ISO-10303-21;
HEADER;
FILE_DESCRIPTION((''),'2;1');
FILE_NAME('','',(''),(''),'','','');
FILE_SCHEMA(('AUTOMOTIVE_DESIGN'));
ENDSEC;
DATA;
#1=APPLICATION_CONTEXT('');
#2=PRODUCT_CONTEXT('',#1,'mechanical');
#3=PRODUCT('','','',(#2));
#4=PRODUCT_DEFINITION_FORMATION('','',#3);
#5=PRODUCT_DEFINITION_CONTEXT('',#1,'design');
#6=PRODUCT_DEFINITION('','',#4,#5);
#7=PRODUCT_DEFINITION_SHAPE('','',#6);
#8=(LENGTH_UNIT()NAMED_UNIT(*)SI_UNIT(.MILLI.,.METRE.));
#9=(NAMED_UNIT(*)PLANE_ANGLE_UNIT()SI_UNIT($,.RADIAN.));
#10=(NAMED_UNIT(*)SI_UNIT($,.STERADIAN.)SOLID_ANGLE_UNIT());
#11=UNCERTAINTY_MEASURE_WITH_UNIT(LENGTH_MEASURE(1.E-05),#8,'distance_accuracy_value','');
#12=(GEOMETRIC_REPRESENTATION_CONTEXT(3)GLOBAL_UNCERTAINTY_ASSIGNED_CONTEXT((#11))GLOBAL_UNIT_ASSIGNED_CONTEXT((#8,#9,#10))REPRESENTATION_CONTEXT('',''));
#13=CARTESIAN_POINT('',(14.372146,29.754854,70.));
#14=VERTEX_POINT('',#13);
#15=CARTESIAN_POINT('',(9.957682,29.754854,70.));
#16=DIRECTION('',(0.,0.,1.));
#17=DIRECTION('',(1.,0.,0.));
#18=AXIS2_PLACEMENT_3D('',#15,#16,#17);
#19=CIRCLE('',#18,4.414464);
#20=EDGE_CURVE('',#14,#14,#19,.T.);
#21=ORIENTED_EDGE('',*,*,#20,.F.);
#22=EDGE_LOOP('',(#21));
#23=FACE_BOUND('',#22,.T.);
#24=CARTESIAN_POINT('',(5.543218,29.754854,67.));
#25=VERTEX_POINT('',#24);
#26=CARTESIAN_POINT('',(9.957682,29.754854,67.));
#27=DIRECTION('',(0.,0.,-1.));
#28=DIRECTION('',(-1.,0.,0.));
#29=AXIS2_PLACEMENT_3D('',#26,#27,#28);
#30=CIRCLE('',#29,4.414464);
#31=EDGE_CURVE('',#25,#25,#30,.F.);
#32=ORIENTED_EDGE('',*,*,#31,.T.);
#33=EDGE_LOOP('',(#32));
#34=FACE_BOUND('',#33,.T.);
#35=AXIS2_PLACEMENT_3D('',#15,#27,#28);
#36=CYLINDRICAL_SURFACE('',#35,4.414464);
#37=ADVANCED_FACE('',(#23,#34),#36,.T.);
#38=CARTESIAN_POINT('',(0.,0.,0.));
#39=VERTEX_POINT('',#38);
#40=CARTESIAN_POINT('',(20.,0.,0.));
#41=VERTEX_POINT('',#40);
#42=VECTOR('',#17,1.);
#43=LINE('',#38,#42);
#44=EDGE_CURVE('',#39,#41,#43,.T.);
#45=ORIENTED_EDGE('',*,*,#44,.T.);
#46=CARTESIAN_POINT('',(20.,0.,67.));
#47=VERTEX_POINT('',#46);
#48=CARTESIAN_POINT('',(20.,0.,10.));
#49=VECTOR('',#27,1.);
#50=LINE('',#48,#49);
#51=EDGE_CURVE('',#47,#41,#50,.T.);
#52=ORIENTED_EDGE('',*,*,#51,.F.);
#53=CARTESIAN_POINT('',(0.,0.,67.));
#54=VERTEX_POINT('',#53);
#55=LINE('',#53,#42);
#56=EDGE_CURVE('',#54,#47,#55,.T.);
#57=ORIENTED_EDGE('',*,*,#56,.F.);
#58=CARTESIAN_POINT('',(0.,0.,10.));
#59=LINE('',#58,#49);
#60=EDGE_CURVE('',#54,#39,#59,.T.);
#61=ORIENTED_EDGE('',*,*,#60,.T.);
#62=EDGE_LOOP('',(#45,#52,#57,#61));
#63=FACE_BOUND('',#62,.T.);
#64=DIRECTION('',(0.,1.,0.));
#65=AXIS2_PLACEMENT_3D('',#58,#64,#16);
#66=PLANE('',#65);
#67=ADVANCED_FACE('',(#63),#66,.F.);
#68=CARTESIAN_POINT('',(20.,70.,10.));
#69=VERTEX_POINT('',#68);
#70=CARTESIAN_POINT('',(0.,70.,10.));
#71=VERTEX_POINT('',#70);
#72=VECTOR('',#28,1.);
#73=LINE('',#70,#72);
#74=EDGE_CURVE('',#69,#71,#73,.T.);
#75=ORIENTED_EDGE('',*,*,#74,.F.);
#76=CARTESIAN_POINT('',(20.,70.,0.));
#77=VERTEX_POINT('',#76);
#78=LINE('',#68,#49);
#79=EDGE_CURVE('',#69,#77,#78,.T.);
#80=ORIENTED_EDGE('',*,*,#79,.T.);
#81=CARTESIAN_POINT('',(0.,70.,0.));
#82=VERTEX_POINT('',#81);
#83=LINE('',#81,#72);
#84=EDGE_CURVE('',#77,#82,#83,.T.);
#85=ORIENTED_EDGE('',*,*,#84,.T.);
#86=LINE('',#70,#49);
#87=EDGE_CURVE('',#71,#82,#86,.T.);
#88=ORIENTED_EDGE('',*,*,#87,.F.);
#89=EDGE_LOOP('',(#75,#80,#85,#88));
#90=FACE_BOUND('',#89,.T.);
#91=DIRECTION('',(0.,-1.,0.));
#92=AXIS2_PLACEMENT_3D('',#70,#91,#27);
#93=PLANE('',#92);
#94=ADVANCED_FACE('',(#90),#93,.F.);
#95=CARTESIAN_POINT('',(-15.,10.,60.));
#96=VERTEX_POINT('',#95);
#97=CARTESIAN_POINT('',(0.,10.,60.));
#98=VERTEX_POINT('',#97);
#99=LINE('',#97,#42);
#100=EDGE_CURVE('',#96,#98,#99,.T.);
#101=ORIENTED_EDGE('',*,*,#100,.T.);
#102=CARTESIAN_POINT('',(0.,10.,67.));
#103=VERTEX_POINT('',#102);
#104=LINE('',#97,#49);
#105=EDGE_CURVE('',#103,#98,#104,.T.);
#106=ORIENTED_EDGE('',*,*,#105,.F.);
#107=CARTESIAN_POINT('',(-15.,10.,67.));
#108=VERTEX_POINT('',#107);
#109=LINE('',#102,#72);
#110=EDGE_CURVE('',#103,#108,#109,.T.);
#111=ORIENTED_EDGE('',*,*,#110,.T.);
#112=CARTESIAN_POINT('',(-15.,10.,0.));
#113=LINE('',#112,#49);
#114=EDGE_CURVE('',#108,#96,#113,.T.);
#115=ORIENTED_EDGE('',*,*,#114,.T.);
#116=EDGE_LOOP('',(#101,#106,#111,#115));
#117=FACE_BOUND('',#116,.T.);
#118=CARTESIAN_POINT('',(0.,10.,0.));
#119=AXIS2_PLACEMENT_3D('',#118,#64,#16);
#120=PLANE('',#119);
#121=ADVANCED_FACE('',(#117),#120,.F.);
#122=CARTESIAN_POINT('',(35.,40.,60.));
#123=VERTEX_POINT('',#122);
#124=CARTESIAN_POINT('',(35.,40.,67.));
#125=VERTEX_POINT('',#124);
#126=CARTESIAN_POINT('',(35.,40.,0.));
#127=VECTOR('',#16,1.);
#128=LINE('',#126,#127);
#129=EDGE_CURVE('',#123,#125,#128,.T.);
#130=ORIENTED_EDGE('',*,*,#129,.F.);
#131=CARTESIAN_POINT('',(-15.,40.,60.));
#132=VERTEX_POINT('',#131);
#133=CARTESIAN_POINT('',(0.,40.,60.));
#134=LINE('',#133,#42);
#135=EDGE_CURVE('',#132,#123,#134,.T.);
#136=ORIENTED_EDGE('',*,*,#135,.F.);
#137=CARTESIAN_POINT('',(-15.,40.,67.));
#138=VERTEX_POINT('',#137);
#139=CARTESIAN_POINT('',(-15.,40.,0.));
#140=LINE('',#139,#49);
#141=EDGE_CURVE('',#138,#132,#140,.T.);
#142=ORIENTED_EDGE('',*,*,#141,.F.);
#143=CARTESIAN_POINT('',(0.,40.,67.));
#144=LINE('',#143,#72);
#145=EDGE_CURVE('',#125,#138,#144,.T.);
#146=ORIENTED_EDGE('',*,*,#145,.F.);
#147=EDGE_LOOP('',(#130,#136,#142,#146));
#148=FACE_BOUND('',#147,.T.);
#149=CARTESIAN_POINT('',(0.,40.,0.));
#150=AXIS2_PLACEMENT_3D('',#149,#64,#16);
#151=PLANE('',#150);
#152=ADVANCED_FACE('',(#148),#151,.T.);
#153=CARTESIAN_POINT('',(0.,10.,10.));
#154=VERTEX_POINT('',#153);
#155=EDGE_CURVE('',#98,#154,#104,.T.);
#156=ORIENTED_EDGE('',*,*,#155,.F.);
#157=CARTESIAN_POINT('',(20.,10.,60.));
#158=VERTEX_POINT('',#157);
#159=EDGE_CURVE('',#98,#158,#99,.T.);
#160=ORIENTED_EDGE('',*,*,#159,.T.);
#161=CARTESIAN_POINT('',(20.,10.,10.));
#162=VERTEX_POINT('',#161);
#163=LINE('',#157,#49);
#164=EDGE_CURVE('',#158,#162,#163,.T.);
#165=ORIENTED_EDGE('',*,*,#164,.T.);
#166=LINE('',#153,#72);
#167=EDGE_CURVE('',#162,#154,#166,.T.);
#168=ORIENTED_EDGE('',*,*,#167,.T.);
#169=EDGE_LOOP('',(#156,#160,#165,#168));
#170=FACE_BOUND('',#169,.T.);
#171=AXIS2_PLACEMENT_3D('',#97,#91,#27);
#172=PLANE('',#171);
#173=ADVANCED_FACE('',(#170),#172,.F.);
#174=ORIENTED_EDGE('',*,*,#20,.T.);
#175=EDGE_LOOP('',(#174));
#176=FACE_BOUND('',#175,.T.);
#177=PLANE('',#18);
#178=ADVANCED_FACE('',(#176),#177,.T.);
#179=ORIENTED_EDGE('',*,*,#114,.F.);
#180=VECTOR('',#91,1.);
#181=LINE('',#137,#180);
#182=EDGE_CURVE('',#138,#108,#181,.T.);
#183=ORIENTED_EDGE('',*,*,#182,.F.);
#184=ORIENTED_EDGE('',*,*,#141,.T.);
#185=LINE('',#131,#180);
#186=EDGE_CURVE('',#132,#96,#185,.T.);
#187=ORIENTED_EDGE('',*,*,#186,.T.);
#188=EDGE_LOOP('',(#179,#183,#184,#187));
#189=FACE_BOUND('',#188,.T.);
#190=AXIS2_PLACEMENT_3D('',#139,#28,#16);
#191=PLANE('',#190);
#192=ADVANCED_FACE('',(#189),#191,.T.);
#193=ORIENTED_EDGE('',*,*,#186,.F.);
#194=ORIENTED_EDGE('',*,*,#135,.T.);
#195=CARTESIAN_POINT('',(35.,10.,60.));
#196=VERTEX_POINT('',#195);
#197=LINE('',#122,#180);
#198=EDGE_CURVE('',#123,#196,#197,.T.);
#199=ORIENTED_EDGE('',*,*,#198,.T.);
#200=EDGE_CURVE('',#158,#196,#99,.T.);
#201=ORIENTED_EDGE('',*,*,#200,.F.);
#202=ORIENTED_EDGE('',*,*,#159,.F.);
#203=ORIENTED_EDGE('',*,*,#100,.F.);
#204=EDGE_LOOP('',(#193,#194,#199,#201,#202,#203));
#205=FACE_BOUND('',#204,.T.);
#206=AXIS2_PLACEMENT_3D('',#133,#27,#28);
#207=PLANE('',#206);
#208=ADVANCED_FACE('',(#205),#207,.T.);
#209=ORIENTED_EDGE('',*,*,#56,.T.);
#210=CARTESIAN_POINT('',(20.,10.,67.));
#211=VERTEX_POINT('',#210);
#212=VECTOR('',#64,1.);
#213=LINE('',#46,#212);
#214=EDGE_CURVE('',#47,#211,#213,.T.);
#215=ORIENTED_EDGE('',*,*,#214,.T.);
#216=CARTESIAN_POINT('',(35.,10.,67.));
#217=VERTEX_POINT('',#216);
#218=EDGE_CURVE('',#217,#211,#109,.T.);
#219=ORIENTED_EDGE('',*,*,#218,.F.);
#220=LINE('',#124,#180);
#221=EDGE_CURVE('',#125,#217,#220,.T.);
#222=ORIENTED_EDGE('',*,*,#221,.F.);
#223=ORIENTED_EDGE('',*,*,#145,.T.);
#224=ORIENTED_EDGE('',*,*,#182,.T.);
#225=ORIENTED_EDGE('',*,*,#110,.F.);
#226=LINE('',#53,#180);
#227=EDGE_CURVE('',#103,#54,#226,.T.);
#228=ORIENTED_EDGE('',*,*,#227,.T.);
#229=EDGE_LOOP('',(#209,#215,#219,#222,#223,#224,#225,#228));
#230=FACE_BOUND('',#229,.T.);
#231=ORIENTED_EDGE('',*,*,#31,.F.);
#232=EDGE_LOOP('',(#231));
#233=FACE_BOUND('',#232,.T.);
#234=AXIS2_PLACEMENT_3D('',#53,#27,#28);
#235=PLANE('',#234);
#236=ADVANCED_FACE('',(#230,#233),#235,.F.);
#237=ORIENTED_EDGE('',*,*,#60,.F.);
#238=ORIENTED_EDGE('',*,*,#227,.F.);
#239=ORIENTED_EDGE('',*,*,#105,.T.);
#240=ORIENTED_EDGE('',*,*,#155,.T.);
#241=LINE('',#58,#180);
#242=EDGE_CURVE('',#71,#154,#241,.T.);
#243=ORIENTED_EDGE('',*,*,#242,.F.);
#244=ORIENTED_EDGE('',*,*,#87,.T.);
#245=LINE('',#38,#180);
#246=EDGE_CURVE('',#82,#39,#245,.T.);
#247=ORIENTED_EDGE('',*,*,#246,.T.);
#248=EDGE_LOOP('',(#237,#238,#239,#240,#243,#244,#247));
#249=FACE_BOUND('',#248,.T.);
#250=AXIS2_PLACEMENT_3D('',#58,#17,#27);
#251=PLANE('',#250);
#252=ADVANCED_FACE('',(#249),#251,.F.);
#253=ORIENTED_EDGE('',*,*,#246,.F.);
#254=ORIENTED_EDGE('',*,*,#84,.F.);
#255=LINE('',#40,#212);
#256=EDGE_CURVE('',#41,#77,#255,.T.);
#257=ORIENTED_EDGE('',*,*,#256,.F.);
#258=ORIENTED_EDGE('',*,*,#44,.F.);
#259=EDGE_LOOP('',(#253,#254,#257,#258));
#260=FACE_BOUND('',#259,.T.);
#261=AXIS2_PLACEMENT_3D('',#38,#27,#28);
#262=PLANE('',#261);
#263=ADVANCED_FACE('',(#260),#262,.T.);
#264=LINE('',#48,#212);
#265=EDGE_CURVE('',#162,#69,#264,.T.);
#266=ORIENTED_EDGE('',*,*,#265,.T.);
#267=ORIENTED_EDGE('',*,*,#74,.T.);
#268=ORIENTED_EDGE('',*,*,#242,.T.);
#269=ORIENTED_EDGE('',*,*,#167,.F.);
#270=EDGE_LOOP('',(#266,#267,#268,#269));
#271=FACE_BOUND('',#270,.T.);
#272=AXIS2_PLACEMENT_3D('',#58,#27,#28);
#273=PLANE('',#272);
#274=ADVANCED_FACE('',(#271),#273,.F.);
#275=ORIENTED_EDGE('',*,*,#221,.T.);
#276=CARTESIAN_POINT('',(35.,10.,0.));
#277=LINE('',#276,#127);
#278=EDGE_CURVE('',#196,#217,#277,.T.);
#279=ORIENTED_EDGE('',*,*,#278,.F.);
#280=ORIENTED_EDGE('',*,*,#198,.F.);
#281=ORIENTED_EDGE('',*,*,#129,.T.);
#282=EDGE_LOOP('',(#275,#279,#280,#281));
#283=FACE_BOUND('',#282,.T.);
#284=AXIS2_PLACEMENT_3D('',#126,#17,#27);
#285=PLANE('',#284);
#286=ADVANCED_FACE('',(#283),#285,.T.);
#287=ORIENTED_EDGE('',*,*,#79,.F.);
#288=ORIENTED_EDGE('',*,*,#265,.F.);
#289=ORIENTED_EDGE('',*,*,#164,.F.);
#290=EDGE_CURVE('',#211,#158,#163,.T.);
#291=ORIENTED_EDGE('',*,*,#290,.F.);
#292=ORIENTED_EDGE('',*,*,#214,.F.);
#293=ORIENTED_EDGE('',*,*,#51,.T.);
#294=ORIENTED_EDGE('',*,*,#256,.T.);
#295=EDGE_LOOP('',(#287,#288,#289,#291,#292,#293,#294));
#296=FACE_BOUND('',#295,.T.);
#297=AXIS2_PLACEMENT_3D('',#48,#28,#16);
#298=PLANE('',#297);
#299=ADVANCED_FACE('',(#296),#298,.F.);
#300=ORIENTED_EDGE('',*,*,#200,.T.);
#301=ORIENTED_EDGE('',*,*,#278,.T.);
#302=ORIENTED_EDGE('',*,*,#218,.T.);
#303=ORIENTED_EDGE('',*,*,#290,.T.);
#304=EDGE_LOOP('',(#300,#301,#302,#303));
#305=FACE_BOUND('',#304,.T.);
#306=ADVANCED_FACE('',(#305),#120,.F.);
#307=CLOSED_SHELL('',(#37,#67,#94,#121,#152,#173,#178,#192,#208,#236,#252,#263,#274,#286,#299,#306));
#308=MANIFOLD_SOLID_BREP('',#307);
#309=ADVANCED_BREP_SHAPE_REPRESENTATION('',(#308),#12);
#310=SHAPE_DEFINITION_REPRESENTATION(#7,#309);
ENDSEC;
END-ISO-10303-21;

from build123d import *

# Parameters (mm, degrees)
SKETCH1_W           = 20
SKETCH1_H           = 70
BOSS_EXTRUDE1_DEPTH = 10
SKETCH2_W           = 20
SKETCH2_H           = 10
BOSS_EXTRUDE2_DEPTH = 50
SKETCH3_W           = 20
SKETCH3_H           = 10
BOSS_EXTRUDE3_DEPTH = 7
SKETCH4_W           = 15
SKETCH4_H           = 7
SKETCH4_W_2         = 20
BOSS_EXTRUDE4_DEPTH = 30
SKETCH5_R           = 4.414464055
BOSS_EXTRUDE5_DEPTH = 3


with BuildPart() as part:
    # Sketch1 → Boss-Extrude1 (new body)
    with BuildSketch(Plane.XY):
        with Locations((10, 35)):
            Rectangle(SKETCH1_W, SKETCH1_H)
    extrude(amount=BOSS_EXTRUDE1_DEPTH)

    # Sketch2 → Boss-Extrude2 (add)
    with BuildSketch(Plane.XY.offset(10)):
        with Locations((10, 5)):
            Rectangle(SKETCH2_W, SKETCH2_H)
    extrude(amount=BOSS_EXTRUDE2_DEPTH)

    # Sketch3 → Boss-Extrude3 (add)
    with BuildSketch(Plane.XY.offset(60)):
        with Locations((10, 5)):
            Rectangle(SKETCH3_W, SKETCH3_H)
    extrude(amount=BOSS_EXTRUDE3_DEPTH)

    # Sketch4 → Boss-Extrude4 (add)
    with BuildSketch(Plane(origin=(0, 10, 0), x_dir=(1, 0, 0), z_dir=(0, 1, 0))):
        with Locations((-7.5, -63.5)):
            Rectangle(SKETCH4_W, SKETCH4_H)
        with Locations((10, -63.5)):
            Rectangle(SKETCH4_W_2, SKETCH4_H)
        with Locations((27.5, -63.5)):
            Rectangle(SKETCH4_W, SKETCH4_H)
    extrude(amount=BOSS_EXTRUDE4_DEPTH)

    # Sketch5 → Boss-Extrude5 (add)
    with BuildSketch(Plane.XY.offset(67)):
        with Locations((9.957681606, 29.754854133)):
            Circle(SKETCH5_R)
    extrude(amount=BOSS_EXTRUDE5_DEPTH)


solid = part.part
